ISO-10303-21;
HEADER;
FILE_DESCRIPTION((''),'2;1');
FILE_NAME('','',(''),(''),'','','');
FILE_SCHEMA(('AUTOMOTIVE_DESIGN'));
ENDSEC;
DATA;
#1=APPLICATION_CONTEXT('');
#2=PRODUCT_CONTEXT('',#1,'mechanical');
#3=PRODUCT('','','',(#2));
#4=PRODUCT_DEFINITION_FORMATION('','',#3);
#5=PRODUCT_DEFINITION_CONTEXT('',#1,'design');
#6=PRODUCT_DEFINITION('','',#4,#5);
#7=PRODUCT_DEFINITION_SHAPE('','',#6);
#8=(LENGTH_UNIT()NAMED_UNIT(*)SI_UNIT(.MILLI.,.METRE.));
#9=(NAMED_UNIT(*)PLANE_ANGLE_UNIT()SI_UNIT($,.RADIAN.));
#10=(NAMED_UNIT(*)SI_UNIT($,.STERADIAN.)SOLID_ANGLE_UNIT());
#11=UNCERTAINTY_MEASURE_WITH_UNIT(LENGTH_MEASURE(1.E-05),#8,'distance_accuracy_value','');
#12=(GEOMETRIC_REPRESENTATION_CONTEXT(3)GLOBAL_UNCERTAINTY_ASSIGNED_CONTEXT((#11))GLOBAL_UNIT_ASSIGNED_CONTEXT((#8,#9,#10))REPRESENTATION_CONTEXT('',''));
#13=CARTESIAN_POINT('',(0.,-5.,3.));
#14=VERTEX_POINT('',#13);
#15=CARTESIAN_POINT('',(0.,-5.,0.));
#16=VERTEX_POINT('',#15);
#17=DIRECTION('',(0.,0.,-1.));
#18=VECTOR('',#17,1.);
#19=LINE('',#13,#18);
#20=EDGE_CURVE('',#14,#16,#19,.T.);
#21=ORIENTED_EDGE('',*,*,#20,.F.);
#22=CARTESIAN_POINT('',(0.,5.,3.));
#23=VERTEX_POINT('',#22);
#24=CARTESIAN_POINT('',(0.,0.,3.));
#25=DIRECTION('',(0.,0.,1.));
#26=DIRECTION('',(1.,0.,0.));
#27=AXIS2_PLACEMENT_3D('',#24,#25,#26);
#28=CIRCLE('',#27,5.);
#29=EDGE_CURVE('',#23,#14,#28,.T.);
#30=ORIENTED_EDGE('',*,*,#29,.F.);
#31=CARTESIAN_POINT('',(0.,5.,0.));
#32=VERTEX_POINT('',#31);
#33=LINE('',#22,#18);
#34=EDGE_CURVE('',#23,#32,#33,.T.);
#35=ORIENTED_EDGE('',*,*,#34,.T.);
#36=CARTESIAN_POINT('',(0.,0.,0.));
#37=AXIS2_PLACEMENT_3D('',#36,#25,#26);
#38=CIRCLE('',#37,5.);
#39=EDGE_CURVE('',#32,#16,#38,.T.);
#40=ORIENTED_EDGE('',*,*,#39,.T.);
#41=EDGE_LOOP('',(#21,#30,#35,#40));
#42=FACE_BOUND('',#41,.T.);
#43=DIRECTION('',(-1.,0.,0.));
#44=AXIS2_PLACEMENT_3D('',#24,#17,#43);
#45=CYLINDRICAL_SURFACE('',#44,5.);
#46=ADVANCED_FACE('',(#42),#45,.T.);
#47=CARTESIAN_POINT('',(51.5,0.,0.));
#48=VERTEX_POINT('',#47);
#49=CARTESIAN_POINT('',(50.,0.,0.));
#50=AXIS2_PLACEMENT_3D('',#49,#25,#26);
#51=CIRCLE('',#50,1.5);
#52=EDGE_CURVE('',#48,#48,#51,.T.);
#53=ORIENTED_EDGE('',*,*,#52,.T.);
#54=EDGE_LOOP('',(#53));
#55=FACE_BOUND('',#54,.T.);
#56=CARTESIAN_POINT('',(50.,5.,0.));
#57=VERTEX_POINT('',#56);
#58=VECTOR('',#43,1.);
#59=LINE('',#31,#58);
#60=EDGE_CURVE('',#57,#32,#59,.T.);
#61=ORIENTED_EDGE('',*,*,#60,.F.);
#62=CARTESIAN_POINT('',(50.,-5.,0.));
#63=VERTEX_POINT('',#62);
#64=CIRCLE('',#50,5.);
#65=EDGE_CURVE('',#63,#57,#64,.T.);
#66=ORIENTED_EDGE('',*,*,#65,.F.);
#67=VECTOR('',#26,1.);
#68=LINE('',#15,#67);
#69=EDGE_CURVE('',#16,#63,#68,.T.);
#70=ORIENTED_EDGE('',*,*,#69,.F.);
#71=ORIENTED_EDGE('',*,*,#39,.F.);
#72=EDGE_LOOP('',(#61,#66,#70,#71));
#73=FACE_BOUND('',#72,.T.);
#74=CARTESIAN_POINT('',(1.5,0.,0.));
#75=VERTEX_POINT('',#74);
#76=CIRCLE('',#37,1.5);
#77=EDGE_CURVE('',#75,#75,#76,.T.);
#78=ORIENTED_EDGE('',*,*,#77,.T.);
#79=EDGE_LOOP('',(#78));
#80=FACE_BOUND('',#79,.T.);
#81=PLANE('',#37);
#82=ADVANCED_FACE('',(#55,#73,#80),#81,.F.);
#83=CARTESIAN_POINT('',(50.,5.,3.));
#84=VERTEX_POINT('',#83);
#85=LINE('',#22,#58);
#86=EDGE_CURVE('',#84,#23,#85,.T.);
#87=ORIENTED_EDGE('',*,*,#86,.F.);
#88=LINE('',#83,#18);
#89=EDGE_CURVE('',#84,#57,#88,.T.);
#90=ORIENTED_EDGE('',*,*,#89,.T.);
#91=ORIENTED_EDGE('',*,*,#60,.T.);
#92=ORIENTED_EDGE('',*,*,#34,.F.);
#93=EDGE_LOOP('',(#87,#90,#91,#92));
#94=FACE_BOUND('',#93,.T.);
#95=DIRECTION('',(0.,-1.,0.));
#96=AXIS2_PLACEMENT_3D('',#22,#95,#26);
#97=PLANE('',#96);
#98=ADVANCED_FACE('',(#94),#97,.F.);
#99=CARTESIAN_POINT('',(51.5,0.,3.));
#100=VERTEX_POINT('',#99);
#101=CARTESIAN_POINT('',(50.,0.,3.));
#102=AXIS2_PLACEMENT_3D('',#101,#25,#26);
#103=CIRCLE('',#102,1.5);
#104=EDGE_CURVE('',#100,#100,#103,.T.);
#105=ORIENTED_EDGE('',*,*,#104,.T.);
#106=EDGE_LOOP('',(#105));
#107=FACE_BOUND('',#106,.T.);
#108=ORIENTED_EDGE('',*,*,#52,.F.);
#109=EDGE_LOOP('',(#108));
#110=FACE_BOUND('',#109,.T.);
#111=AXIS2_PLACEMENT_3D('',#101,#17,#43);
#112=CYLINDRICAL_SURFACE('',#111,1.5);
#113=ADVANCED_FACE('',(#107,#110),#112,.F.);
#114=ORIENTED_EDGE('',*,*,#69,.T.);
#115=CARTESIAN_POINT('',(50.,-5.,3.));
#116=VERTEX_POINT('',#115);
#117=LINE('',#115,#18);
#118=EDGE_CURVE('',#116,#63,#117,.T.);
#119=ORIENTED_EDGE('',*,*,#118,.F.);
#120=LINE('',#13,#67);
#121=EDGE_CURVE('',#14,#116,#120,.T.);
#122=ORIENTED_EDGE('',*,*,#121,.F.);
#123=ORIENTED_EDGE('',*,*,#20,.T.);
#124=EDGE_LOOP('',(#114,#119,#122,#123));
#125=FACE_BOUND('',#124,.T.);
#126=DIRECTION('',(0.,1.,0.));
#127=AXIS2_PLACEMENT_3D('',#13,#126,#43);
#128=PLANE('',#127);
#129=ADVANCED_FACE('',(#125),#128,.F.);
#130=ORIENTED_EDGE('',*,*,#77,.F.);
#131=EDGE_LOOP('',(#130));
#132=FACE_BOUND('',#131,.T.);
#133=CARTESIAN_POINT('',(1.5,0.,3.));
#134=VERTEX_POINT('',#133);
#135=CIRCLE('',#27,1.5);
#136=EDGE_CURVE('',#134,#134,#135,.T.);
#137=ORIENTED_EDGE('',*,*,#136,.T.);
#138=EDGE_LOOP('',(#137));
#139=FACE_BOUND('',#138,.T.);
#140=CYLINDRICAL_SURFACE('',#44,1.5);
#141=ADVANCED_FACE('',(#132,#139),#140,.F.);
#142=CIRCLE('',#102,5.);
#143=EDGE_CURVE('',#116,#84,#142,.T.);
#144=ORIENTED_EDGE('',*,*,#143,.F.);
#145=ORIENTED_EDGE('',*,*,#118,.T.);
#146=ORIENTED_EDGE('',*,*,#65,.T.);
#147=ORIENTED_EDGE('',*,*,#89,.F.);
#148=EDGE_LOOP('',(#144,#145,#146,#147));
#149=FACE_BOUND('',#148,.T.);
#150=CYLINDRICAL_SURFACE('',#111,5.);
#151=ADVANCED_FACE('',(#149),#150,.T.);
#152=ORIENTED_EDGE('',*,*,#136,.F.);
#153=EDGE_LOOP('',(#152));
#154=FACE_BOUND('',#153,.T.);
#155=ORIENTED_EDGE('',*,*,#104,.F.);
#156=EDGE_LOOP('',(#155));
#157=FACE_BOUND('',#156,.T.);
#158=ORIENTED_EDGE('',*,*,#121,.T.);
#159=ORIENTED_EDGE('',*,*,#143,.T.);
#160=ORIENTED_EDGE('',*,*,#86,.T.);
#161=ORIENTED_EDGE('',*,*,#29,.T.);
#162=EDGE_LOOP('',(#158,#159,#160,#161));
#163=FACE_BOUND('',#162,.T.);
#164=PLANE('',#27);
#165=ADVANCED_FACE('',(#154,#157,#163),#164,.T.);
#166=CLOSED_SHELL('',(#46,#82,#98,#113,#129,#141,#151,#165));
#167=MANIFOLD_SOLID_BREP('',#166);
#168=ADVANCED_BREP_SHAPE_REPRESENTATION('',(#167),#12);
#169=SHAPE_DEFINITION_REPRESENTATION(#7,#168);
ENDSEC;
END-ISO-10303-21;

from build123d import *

# Parameters (mm, degrees)
SKETCH1_R           = 1.5
BOSS_EXTRUDE1_DEPTH = 3


with BuildPart() as part:
    # Sketch1 → Boss-Extrude1 (new body)
    with BuildSketch(Plane.XY):
        with BuildLine():
            Line((0, 5), (50, 5))
            ThreePointArc((50, 5), (55, 0), (50, -5))
            Line((50, -5), (0, -5))
            ThreePointArc((0, -5), (-5, 0), (0, 5))
        make_face()
        Circle(SKETCH1_R, mode=Mode.SUBTRACT)
        with Locations((50, 0)):
            Circle(SKETCH1_R, mode=Mode.SUBTRACT)
    extrude(amount=BOSS_EXTRUDE1_DEPTH)


solid = part.part
